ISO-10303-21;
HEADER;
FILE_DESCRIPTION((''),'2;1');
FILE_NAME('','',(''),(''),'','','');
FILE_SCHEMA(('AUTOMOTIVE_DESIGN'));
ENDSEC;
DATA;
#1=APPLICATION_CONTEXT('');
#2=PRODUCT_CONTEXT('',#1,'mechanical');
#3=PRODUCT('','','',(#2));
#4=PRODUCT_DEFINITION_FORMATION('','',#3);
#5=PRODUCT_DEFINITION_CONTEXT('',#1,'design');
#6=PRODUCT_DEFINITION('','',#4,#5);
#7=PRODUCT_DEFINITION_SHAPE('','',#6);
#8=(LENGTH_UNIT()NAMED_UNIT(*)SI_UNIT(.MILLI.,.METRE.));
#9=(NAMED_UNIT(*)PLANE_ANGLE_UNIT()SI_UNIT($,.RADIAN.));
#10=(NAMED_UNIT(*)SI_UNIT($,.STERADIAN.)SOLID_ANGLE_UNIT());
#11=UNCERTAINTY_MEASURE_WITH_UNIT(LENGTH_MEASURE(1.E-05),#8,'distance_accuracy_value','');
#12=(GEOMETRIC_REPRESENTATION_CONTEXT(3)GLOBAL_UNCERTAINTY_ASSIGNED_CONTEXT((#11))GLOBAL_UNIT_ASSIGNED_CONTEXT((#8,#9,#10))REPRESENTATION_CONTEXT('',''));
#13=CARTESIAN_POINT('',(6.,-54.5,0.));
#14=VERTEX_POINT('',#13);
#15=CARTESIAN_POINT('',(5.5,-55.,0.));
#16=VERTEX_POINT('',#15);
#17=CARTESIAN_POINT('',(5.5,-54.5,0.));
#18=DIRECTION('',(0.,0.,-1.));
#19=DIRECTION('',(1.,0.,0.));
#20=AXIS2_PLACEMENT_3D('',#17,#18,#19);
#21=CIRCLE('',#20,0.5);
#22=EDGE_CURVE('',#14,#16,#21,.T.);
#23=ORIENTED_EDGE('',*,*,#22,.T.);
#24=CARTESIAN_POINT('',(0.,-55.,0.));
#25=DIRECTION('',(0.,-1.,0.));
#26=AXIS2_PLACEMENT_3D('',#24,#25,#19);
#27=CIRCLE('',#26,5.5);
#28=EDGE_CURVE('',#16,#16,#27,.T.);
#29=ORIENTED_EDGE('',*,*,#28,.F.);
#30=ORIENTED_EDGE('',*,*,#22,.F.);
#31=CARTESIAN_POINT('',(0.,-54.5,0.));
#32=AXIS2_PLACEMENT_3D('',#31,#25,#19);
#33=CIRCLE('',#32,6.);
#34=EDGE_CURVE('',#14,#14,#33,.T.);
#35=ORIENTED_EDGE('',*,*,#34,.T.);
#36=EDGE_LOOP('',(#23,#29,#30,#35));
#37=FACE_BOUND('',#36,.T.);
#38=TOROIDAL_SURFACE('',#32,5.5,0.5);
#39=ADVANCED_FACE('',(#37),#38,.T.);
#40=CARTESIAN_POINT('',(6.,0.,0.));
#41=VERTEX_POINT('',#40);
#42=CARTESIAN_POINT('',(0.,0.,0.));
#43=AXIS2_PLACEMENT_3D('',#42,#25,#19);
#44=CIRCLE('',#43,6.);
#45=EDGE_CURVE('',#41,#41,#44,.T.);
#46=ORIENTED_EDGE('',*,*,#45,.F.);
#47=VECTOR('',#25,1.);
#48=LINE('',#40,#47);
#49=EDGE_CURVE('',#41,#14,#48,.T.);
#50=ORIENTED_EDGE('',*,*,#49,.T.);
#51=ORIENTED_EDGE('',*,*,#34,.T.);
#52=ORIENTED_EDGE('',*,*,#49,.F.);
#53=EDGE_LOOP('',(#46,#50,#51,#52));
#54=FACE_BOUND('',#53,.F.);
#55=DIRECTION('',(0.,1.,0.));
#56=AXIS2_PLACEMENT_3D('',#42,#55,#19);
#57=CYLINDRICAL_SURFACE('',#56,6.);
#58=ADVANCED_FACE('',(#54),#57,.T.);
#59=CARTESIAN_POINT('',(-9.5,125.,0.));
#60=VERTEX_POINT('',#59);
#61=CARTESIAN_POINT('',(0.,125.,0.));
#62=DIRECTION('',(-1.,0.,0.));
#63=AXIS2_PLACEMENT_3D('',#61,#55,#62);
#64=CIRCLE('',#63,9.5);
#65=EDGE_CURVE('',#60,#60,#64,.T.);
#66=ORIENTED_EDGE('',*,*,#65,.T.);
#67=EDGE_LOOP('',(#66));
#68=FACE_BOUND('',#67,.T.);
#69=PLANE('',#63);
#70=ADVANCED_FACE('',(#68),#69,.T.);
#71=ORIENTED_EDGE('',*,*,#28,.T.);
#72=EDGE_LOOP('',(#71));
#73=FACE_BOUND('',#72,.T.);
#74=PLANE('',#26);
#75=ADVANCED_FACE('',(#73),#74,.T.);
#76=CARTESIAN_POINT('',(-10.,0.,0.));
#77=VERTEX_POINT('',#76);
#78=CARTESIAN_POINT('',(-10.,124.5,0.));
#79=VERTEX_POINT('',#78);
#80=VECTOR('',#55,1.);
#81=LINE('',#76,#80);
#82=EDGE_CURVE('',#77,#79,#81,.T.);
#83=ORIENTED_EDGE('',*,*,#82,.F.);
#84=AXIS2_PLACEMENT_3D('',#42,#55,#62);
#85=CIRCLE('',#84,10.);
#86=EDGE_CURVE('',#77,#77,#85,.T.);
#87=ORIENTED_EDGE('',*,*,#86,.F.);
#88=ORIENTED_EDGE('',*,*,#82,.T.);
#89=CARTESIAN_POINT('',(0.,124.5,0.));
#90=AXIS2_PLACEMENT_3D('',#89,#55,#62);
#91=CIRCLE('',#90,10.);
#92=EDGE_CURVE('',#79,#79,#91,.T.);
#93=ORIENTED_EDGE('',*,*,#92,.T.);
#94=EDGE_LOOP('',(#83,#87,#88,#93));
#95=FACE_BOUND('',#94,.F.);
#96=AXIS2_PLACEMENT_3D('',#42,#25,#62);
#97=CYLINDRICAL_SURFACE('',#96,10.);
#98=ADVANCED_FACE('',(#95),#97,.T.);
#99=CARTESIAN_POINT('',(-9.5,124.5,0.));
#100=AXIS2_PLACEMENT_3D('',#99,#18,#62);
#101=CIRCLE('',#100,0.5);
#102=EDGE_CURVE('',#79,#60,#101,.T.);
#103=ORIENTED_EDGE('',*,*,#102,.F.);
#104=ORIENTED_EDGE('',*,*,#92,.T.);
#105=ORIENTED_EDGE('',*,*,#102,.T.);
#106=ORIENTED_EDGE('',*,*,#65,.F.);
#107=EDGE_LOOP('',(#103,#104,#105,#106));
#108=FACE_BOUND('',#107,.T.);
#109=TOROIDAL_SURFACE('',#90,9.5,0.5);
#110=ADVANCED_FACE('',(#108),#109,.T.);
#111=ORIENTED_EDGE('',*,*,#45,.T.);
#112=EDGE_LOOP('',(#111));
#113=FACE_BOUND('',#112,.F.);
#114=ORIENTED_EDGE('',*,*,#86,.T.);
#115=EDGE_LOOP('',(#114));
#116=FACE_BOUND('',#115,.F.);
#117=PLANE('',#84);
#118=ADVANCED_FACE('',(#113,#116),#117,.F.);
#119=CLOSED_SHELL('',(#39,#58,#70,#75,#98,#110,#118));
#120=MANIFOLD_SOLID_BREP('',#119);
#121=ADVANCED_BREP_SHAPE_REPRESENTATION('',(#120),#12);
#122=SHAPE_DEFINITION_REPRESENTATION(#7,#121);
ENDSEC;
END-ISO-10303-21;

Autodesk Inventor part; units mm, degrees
ref_plane "YZ Plane" through (0, 0, 0) normal (1, 0, 0) x (0, 1, 0)
ref_plane "XZ Plane" through (0, 0, 0) normal (0, 1, 0) x (-1, 0, 0)
ref_plane "XY Plane" through (0, 0, 0) normal (0, 0, 1) x (1, 0, 0)
sketch "Sketch1" plane through (0, 0, 0) normal (0, 1, 0) x (-1, 0, 0)
  circle A0 centre (0, 0) radius 10
  dimension "d0" = 20
extrude "Extrusion1" add sketch "Sketch1" along normal blind 125
thread "Thread1" size "M20x2.5" class "6g" standard "ANSI Metric M Profile" full length
sketch "Sketch2" plane through (0, 0, 0) normal (0, -1, 0) x (1, 0, 0)
  circle A0 centre (0, 0) radius 6
  dimension "d5" = 12
extrude "Extrusion2" add sketch "Sketch2" along normal blind 55
fillet "Fillet1" radius 0.5 2 edges at (-6, -55, 0) (10, 125, 0)
properties part number "LeadScrew" material "Steel, Alloy"
